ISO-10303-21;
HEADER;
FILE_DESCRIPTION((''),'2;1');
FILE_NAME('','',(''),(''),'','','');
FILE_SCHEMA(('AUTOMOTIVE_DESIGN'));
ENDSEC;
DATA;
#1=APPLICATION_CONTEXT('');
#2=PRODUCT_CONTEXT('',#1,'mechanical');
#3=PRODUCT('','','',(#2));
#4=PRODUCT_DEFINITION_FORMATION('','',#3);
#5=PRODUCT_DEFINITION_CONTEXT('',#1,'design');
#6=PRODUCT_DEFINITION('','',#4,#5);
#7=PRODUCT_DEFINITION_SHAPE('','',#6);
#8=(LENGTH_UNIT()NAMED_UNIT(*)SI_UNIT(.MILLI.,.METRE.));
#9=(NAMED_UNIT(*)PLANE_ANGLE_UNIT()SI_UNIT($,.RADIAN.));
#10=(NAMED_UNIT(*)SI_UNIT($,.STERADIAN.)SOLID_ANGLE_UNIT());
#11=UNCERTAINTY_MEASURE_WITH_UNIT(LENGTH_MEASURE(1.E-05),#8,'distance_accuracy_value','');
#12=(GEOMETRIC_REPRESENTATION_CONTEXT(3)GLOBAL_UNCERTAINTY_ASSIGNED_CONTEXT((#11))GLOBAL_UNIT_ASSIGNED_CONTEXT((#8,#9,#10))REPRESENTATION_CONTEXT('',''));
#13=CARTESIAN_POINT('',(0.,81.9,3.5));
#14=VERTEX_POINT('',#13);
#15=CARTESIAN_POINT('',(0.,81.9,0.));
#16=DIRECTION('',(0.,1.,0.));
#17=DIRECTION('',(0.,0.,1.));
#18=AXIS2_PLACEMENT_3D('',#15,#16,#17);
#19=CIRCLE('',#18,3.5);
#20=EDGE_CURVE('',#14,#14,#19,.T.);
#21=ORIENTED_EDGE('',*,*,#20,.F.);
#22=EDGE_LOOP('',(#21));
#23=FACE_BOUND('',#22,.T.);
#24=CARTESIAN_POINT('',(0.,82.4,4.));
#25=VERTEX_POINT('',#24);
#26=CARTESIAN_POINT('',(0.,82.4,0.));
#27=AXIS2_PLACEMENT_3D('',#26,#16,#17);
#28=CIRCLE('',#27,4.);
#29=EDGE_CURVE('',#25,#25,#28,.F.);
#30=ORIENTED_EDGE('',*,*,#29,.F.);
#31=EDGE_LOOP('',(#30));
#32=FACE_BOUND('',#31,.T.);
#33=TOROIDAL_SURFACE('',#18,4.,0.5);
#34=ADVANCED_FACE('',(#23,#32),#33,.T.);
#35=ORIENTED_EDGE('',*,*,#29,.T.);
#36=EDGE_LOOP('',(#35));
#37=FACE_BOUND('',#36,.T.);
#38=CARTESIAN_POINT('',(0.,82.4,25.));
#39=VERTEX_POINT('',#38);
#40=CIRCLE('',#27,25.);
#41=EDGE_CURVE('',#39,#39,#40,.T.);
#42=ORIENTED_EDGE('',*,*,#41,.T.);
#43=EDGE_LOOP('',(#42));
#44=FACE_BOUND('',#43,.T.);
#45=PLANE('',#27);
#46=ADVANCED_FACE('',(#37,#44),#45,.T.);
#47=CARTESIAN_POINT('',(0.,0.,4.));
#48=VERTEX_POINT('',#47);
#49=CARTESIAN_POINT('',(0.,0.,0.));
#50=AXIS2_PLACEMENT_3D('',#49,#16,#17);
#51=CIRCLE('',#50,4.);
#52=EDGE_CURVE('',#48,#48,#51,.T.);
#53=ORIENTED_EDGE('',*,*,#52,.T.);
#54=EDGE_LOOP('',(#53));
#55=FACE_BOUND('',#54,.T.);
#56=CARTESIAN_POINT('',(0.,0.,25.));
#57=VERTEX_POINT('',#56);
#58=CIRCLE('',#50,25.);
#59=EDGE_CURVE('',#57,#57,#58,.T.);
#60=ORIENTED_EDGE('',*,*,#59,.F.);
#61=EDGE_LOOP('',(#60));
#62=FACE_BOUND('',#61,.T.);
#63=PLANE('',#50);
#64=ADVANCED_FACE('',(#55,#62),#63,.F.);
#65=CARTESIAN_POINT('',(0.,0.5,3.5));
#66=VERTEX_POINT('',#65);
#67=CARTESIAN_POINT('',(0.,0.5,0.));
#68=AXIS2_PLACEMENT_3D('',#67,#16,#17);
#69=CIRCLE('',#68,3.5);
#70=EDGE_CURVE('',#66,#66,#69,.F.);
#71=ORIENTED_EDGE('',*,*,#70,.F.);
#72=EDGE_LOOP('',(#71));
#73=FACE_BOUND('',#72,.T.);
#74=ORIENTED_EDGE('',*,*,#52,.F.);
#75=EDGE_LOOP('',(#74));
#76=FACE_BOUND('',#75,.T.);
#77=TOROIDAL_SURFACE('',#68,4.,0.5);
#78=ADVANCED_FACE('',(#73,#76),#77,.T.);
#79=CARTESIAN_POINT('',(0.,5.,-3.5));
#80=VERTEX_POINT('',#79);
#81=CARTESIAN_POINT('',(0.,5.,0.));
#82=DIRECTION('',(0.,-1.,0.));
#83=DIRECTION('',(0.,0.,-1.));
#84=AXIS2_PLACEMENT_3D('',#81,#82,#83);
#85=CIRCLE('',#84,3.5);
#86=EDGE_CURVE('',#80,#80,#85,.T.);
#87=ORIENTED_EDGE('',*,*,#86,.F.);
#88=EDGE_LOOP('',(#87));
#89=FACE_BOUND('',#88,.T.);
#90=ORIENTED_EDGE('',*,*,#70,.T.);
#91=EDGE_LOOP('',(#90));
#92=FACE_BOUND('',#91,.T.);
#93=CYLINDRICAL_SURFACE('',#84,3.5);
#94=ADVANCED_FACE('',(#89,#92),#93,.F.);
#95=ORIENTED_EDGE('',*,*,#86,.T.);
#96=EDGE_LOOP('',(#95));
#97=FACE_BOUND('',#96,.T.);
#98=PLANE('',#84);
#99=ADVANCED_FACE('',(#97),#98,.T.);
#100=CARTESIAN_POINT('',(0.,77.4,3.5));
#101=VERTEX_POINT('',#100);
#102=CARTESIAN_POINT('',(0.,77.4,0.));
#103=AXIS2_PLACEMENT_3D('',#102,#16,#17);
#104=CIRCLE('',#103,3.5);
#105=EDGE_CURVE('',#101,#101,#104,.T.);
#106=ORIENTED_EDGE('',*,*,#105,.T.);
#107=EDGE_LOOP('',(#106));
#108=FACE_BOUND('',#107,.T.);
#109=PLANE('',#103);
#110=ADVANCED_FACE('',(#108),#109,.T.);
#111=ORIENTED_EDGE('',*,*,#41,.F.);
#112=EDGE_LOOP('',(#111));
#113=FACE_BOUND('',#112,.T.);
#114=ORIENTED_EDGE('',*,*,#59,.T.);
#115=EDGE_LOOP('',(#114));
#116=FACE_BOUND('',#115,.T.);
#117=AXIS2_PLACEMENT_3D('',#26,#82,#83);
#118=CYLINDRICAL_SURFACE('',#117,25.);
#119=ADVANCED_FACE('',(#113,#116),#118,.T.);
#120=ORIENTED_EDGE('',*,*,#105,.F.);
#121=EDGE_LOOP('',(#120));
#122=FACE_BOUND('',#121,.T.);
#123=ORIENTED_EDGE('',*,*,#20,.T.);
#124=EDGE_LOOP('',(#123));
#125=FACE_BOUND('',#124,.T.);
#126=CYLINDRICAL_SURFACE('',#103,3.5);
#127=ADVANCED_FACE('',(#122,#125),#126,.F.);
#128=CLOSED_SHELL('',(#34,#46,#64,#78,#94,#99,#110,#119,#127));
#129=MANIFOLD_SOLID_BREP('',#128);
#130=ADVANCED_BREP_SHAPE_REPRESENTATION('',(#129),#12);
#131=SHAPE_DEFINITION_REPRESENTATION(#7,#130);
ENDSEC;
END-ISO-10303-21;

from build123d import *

# Parameters (mm, degrees)
SKETCH1_R           = 25
BOSS_EXTRUDE1_DEPTH = 82.4
SKETCH2_R           = 3.5
CUT_EXTRUDE1_DEPTH  = 5
SKETCH3_R           = 3.5
CUT_EXTRUDE2_DEPTH  = 5
FILLET1_R           = 0.5


with BuildPart() as part:
    # Sketch1 → Boss-Extrude1 (new body)
    with BuildSketch(Plane(origin=(0, 0, 0), x_dir=(1, 0, 0), z_dir=(0, 1, 0))):
        with Locations(Location((0, 0, 0), (0, 0, 270))):  # turned: the seam where the file's is
            Circle(SKETCH1_R)
    extrude(amount=BOSS_EXTRUDE1_DEPTH)

    # Sketch2 → Cut-Extrude1 (cut)
    with BuildSketch(Plane(origin=(0, 82.4, 0), x_dir=(1, 0, 0), z_dir=(0, 1, 0))):
        with Locations(Location((0, 0, 0), (0, 0, 270))):  # turned: the seam where the file's is
            Circle(SKETCH2_R)
    extrude(amount=-CUT_EXTRUDE1_DEPTH, mode=Mode.SUBTRACT)

    # Sketch3 → Cut-Extrude2 (cut)
    with BuildSketch(Plane.XZ):
        with Locations(Location((0, 0, 0), (0, 0, 90))):  # turned: the seam where the file's is
            Circle(SKETCH3_R)
    extrude(amount=-CUT_EXTRUDE2_DEPTH, mode=Mode.SUBTRACT)

    # Fillet1
    fillet1_edges = [part.edges().sort_by_distance(p)[0] for p in [
        (0, 0, -3.5),
        (0, 82.4, -3.5),
    ]]
    fillet(fillet1_edges, radius=FILLET1_R)


solid = part.part
